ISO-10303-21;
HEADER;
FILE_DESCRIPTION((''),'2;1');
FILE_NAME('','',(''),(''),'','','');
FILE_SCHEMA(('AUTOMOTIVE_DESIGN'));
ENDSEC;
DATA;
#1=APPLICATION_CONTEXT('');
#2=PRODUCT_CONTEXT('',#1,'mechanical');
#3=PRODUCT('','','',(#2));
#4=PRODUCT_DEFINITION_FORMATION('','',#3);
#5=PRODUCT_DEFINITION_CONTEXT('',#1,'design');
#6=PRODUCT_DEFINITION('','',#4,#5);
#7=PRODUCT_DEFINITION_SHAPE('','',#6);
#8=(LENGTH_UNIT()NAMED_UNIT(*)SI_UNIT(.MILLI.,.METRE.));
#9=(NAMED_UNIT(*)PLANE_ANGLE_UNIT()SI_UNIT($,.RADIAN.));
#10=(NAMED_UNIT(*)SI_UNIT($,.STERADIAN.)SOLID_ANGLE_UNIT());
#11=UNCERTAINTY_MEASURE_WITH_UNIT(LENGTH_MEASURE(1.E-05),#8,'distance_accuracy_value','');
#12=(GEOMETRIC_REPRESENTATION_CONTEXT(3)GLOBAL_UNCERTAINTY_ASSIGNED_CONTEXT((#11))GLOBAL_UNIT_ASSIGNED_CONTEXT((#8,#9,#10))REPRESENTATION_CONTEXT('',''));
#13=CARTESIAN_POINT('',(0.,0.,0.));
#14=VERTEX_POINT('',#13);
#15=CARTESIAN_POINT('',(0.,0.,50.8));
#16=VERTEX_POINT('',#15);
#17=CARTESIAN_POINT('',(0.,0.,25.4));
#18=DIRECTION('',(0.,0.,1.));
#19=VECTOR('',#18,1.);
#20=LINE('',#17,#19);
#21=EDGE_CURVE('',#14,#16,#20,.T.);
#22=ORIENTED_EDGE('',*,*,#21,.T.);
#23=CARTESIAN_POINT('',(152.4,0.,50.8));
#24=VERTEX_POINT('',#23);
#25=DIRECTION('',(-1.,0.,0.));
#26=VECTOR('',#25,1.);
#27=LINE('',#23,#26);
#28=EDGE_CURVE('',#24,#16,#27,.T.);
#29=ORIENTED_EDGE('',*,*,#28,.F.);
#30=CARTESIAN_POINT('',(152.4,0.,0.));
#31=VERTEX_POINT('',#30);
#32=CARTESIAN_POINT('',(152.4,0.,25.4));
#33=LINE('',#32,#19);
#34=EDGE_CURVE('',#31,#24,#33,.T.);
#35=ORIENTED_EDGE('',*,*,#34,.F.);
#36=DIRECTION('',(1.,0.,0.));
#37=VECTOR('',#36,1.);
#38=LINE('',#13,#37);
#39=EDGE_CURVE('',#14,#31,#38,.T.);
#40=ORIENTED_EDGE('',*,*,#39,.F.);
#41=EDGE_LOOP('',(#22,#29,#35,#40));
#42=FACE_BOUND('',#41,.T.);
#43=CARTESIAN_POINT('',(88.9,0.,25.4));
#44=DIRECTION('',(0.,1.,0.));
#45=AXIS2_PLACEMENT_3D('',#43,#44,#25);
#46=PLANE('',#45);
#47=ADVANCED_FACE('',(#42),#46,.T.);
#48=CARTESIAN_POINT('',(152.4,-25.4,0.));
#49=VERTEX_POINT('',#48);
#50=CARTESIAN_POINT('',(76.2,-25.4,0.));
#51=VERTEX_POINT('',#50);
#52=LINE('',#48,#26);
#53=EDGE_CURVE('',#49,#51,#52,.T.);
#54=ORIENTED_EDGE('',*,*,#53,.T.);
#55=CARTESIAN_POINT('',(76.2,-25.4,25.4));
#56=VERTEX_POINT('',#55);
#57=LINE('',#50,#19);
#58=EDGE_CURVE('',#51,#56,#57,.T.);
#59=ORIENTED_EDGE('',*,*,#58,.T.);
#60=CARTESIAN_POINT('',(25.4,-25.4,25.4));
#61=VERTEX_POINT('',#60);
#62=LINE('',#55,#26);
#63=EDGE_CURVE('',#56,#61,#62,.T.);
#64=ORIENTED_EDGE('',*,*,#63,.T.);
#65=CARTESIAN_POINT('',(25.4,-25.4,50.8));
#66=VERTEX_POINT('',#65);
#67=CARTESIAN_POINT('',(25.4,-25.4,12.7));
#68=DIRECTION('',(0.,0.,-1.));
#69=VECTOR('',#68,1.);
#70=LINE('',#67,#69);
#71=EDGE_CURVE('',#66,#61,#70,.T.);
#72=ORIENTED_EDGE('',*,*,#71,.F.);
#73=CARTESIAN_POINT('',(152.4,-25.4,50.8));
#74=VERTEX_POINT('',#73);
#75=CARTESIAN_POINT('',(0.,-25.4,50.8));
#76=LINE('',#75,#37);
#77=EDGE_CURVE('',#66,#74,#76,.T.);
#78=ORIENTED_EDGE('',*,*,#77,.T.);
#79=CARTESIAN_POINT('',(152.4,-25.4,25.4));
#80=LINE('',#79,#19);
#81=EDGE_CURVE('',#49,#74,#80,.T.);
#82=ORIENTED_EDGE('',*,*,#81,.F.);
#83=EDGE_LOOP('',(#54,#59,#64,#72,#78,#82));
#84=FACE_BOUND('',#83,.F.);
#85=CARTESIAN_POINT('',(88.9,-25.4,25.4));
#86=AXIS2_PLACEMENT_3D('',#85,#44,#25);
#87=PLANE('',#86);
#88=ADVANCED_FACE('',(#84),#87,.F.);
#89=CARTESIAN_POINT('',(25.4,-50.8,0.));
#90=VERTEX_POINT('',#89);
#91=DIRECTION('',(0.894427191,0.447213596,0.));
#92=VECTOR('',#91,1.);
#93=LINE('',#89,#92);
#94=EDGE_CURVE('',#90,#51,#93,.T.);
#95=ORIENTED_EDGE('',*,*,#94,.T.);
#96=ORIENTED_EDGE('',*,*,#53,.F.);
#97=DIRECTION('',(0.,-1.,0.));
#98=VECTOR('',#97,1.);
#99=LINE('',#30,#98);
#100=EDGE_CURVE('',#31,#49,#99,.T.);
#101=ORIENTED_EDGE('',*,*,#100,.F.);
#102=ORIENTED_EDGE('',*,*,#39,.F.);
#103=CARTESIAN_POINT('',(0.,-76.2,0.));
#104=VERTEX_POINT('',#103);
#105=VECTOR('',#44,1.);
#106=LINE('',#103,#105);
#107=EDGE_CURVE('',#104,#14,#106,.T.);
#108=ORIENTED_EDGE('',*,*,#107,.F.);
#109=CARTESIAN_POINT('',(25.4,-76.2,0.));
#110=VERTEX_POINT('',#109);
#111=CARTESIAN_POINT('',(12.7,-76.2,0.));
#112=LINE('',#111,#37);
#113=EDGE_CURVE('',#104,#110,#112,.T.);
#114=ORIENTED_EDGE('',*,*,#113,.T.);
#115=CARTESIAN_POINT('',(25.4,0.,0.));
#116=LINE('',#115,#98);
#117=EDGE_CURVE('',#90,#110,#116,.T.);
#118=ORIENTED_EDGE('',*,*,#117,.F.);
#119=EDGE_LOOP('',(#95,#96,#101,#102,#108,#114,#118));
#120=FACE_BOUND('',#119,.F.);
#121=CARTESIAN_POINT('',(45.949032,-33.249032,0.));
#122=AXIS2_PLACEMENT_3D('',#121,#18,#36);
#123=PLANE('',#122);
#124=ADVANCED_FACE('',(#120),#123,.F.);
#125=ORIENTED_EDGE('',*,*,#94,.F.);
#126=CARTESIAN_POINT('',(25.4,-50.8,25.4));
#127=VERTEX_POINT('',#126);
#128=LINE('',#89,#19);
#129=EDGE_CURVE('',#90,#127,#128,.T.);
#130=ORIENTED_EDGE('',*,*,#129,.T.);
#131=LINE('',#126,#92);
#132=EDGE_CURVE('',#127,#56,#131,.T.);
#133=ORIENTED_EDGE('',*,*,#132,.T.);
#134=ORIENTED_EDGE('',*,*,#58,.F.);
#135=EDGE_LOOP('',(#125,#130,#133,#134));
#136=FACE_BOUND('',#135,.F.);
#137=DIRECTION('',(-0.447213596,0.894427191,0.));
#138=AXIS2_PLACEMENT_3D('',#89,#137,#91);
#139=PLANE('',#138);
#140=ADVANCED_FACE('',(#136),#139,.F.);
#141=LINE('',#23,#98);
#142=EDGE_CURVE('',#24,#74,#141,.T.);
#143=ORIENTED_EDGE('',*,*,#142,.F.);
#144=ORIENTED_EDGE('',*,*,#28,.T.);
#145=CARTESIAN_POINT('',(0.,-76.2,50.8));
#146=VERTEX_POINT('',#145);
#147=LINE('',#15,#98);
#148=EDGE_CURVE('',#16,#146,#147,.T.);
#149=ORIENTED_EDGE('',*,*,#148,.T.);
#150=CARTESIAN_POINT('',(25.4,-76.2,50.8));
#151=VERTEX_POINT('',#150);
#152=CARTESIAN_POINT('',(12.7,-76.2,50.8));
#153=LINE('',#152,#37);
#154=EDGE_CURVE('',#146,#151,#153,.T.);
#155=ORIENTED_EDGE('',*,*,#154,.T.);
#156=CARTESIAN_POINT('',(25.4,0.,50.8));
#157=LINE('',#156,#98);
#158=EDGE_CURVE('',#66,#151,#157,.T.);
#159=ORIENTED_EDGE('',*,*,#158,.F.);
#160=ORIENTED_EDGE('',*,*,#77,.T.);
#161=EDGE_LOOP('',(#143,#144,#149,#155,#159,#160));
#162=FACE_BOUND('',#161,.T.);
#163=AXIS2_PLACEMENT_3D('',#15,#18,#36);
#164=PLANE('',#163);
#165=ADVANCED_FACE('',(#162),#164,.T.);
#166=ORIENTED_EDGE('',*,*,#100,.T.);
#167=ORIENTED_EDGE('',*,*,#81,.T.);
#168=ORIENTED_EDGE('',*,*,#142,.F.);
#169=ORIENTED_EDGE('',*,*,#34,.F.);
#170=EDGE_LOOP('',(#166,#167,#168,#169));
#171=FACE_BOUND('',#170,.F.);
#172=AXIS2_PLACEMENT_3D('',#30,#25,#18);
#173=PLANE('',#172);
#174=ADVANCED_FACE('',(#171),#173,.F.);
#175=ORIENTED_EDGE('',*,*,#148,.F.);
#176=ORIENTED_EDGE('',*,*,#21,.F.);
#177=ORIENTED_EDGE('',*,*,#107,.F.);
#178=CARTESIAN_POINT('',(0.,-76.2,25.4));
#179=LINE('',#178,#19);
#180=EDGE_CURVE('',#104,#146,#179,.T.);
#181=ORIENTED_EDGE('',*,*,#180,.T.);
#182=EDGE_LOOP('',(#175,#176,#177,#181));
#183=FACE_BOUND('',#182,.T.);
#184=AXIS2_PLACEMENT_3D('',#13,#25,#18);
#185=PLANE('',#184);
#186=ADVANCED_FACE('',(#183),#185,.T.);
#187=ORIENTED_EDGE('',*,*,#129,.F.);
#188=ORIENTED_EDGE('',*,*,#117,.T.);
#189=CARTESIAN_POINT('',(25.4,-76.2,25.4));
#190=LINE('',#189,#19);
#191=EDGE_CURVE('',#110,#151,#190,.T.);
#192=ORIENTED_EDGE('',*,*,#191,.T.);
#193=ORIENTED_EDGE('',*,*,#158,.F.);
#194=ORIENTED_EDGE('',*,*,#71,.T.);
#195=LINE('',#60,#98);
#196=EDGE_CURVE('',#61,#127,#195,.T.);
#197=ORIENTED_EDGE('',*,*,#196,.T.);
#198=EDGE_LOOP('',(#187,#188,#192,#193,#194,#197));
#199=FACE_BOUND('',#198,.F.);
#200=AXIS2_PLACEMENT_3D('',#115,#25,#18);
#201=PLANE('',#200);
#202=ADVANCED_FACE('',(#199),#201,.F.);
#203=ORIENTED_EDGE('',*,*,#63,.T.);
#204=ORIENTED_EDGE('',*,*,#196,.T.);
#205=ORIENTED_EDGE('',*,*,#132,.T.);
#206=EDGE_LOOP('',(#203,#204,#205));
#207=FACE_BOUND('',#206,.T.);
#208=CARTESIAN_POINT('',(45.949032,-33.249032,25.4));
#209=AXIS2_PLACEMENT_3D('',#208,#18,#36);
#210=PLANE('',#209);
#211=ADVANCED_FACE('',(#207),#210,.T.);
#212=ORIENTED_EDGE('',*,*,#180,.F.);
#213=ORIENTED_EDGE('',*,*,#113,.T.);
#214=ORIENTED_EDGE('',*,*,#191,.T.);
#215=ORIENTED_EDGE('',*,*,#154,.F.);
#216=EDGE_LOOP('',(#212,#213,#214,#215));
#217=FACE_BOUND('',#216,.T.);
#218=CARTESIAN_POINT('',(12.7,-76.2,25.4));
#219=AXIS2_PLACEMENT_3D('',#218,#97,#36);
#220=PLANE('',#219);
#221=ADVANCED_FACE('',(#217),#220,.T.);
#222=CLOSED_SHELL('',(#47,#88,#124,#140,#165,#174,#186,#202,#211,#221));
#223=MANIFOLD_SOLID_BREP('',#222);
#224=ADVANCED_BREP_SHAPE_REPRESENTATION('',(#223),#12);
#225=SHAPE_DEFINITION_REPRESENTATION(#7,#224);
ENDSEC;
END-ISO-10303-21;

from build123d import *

# Parameters (mm, degrees)
F0_W     = 25.4
F0_H     = 50.8
F1_DEPTH = 76.2
F2_W     = 127
F2_H     = 50.8
F2_W_2   = 25.4
F3_DEPTH = 25.4
F5_DEPTH = 25.4


with BuildPart() as f1:
    # F0 (on Front) → F1 (new body)
    with BuildSketch(Plane.XZ):
        with Locations((12.7, 25.4)):
            Rectangle(F0_W, F0_H)
    extrude(amount=F1_DEPTH)

    # F2 (on face) → F3 (join)
    with BuildSketch(Plane(origin=(0, 0, 0), x_dir=(-1, 0, 0), z_dir=(0, 1, 0))):
        with Locations((-88.9, 25.4)):
            Rectangle(F2_W, F2_H)
        with Locations((-12.7, 25.4)):
            Rectangle(F2_W_2, F2_H)
    extrude(amount=-F3_DEPTH)

    # F4 (on Top) → F5 (join)
    with BuildSketch(Plane.XY):
        Polygon((76.2, -25.4), (25.4, -25.4), (25.4, -50.8), align=None)
    extrude(amount=F5_DEPTH)


solid = f1.part
